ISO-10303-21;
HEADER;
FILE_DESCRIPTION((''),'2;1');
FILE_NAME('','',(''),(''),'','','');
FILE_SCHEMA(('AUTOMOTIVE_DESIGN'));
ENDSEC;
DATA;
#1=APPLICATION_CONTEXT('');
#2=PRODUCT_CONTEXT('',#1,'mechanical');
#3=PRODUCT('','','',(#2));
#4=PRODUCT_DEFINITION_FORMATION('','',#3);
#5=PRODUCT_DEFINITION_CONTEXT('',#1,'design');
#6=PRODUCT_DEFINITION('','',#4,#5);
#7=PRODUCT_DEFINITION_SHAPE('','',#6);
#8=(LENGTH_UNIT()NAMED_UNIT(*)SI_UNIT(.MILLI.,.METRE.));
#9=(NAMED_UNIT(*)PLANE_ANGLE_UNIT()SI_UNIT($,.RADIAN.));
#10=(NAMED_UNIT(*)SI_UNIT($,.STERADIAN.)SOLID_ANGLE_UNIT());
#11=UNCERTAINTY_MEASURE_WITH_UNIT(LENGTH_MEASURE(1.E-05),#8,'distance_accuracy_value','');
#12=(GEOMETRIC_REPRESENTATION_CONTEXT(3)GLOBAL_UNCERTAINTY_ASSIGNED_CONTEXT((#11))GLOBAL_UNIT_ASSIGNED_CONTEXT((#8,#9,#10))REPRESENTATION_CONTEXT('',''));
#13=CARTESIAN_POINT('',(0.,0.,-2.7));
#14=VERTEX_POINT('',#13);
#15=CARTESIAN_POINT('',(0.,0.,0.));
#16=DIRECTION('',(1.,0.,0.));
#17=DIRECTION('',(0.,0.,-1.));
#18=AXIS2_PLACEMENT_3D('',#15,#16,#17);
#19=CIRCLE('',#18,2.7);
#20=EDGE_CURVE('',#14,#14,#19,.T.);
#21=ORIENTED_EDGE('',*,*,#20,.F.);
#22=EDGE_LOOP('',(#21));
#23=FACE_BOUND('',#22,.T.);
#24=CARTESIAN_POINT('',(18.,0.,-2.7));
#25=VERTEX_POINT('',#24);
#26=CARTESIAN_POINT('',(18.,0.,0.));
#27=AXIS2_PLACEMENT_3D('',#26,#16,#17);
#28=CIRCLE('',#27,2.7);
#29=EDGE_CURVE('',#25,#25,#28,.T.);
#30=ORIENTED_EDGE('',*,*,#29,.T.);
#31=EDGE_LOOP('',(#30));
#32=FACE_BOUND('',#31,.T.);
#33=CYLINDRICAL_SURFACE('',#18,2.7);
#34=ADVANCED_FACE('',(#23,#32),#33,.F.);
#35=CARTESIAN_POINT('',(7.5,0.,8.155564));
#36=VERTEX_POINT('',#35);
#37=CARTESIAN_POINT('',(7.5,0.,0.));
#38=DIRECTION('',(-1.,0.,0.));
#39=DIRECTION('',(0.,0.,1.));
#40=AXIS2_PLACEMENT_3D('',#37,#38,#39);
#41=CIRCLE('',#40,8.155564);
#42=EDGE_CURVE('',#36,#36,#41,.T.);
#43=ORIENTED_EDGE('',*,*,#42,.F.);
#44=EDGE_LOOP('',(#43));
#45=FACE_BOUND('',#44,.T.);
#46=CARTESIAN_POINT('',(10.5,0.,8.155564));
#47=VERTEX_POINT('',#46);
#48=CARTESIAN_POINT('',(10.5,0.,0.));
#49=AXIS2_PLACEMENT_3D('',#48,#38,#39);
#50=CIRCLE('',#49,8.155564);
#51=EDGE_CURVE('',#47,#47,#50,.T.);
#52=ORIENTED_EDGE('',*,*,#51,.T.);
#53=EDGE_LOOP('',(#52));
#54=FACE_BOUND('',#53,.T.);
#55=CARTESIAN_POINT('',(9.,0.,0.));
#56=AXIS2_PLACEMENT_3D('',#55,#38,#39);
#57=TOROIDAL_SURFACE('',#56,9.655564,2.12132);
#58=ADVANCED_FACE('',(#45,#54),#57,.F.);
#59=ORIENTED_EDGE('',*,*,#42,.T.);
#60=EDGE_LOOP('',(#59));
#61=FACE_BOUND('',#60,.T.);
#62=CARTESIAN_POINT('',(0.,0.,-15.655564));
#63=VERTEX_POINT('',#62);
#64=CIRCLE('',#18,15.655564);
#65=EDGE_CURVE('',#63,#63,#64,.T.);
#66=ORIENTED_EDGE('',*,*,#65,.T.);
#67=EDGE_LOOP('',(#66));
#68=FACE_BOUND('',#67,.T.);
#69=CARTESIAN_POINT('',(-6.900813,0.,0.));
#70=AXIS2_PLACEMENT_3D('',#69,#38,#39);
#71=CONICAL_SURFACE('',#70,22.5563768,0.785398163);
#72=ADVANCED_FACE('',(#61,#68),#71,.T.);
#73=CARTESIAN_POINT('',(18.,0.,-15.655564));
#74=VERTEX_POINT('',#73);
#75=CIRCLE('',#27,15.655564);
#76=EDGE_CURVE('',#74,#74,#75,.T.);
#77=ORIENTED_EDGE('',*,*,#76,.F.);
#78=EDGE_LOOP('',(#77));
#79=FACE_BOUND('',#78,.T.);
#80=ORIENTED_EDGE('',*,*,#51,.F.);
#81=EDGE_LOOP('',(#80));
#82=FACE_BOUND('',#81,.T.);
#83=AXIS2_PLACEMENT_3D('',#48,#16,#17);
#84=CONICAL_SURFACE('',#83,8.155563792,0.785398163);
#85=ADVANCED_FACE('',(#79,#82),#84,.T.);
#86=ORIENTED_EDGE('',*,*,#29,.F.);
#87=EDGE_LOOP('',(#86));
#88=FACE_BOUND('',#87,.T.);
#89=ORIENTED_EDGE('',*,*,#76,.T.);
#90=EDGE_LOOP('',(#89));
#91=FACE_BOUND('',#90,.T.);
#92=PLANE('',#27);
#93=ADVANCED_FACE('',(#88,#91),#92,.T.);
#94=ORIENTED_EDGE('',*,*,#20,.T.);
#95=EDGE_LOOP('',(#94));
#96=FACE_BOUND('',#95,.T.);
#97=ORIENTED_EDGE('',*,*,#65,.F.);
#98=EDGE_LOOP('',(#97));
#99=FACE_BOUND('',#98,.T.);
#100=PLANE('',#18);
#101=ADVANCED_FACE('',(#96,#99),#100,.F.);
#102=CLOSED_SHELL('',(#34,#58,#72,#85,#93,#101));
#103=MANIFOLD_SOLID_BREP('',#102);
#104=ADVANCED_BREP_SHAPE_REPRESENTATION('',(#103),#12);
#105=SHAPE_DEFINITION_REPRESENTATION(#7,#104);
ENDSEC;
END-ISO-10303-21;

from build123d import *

# Parameters (mm, degrees)
SKETCH1_R           = 17.5
BOSS_EXTRUDE1_DEPTH = 18
SKETCH2_R           = 2.7
CUT_EXTRUDE1_DEPTH  = 18


with BuildPart() as part:
    # Sketch1 → Boss-Extrude1 (new body)
    with BuildSketch(Plane(origin=(0, 0, 0), x_dir=(0, 0, -1), z_dir=(1, 0, 0))):
        Circle(SKETCH1_R)
    extrude(amount=BOSS_EXTRUDE1_DEPTH)

    # Sketch2 → Cut-Extrude1 (cut)
    with BuildSketch(Plane(origin=(18, 0, 0), x_dir=(0, 0, -1), z_dir=(1, 0, 0))):
        Circle(SKETCH2_R)
    extrude(amount=-CUT_EXTRUDE1_DEPTH, mode=Mode.SUBTRACT)

    # Sketch3 → Cut-Revolve1 (revolve, cut)
    with BuildSketch(Plane.XY):
        with BuildLine():
            Line((10.5, 8.155563792), (24.900813008, 22.5563768))
            Line((24.900813008, 22.5563768), (-6.900813008, 22.5563768))
            Line((-6.900813008, 22.5563768), (7.5, 8.155563792))
            ThreePointArc((7.5, 8.155563792), (9, 7.534243448), (10.5, 8.155563792))
        make_face()
    revolve(axis=Axis((0, 0, 0), (1, 0, 0)), mode=Mode.SUBTRACT)


solid = part.part
